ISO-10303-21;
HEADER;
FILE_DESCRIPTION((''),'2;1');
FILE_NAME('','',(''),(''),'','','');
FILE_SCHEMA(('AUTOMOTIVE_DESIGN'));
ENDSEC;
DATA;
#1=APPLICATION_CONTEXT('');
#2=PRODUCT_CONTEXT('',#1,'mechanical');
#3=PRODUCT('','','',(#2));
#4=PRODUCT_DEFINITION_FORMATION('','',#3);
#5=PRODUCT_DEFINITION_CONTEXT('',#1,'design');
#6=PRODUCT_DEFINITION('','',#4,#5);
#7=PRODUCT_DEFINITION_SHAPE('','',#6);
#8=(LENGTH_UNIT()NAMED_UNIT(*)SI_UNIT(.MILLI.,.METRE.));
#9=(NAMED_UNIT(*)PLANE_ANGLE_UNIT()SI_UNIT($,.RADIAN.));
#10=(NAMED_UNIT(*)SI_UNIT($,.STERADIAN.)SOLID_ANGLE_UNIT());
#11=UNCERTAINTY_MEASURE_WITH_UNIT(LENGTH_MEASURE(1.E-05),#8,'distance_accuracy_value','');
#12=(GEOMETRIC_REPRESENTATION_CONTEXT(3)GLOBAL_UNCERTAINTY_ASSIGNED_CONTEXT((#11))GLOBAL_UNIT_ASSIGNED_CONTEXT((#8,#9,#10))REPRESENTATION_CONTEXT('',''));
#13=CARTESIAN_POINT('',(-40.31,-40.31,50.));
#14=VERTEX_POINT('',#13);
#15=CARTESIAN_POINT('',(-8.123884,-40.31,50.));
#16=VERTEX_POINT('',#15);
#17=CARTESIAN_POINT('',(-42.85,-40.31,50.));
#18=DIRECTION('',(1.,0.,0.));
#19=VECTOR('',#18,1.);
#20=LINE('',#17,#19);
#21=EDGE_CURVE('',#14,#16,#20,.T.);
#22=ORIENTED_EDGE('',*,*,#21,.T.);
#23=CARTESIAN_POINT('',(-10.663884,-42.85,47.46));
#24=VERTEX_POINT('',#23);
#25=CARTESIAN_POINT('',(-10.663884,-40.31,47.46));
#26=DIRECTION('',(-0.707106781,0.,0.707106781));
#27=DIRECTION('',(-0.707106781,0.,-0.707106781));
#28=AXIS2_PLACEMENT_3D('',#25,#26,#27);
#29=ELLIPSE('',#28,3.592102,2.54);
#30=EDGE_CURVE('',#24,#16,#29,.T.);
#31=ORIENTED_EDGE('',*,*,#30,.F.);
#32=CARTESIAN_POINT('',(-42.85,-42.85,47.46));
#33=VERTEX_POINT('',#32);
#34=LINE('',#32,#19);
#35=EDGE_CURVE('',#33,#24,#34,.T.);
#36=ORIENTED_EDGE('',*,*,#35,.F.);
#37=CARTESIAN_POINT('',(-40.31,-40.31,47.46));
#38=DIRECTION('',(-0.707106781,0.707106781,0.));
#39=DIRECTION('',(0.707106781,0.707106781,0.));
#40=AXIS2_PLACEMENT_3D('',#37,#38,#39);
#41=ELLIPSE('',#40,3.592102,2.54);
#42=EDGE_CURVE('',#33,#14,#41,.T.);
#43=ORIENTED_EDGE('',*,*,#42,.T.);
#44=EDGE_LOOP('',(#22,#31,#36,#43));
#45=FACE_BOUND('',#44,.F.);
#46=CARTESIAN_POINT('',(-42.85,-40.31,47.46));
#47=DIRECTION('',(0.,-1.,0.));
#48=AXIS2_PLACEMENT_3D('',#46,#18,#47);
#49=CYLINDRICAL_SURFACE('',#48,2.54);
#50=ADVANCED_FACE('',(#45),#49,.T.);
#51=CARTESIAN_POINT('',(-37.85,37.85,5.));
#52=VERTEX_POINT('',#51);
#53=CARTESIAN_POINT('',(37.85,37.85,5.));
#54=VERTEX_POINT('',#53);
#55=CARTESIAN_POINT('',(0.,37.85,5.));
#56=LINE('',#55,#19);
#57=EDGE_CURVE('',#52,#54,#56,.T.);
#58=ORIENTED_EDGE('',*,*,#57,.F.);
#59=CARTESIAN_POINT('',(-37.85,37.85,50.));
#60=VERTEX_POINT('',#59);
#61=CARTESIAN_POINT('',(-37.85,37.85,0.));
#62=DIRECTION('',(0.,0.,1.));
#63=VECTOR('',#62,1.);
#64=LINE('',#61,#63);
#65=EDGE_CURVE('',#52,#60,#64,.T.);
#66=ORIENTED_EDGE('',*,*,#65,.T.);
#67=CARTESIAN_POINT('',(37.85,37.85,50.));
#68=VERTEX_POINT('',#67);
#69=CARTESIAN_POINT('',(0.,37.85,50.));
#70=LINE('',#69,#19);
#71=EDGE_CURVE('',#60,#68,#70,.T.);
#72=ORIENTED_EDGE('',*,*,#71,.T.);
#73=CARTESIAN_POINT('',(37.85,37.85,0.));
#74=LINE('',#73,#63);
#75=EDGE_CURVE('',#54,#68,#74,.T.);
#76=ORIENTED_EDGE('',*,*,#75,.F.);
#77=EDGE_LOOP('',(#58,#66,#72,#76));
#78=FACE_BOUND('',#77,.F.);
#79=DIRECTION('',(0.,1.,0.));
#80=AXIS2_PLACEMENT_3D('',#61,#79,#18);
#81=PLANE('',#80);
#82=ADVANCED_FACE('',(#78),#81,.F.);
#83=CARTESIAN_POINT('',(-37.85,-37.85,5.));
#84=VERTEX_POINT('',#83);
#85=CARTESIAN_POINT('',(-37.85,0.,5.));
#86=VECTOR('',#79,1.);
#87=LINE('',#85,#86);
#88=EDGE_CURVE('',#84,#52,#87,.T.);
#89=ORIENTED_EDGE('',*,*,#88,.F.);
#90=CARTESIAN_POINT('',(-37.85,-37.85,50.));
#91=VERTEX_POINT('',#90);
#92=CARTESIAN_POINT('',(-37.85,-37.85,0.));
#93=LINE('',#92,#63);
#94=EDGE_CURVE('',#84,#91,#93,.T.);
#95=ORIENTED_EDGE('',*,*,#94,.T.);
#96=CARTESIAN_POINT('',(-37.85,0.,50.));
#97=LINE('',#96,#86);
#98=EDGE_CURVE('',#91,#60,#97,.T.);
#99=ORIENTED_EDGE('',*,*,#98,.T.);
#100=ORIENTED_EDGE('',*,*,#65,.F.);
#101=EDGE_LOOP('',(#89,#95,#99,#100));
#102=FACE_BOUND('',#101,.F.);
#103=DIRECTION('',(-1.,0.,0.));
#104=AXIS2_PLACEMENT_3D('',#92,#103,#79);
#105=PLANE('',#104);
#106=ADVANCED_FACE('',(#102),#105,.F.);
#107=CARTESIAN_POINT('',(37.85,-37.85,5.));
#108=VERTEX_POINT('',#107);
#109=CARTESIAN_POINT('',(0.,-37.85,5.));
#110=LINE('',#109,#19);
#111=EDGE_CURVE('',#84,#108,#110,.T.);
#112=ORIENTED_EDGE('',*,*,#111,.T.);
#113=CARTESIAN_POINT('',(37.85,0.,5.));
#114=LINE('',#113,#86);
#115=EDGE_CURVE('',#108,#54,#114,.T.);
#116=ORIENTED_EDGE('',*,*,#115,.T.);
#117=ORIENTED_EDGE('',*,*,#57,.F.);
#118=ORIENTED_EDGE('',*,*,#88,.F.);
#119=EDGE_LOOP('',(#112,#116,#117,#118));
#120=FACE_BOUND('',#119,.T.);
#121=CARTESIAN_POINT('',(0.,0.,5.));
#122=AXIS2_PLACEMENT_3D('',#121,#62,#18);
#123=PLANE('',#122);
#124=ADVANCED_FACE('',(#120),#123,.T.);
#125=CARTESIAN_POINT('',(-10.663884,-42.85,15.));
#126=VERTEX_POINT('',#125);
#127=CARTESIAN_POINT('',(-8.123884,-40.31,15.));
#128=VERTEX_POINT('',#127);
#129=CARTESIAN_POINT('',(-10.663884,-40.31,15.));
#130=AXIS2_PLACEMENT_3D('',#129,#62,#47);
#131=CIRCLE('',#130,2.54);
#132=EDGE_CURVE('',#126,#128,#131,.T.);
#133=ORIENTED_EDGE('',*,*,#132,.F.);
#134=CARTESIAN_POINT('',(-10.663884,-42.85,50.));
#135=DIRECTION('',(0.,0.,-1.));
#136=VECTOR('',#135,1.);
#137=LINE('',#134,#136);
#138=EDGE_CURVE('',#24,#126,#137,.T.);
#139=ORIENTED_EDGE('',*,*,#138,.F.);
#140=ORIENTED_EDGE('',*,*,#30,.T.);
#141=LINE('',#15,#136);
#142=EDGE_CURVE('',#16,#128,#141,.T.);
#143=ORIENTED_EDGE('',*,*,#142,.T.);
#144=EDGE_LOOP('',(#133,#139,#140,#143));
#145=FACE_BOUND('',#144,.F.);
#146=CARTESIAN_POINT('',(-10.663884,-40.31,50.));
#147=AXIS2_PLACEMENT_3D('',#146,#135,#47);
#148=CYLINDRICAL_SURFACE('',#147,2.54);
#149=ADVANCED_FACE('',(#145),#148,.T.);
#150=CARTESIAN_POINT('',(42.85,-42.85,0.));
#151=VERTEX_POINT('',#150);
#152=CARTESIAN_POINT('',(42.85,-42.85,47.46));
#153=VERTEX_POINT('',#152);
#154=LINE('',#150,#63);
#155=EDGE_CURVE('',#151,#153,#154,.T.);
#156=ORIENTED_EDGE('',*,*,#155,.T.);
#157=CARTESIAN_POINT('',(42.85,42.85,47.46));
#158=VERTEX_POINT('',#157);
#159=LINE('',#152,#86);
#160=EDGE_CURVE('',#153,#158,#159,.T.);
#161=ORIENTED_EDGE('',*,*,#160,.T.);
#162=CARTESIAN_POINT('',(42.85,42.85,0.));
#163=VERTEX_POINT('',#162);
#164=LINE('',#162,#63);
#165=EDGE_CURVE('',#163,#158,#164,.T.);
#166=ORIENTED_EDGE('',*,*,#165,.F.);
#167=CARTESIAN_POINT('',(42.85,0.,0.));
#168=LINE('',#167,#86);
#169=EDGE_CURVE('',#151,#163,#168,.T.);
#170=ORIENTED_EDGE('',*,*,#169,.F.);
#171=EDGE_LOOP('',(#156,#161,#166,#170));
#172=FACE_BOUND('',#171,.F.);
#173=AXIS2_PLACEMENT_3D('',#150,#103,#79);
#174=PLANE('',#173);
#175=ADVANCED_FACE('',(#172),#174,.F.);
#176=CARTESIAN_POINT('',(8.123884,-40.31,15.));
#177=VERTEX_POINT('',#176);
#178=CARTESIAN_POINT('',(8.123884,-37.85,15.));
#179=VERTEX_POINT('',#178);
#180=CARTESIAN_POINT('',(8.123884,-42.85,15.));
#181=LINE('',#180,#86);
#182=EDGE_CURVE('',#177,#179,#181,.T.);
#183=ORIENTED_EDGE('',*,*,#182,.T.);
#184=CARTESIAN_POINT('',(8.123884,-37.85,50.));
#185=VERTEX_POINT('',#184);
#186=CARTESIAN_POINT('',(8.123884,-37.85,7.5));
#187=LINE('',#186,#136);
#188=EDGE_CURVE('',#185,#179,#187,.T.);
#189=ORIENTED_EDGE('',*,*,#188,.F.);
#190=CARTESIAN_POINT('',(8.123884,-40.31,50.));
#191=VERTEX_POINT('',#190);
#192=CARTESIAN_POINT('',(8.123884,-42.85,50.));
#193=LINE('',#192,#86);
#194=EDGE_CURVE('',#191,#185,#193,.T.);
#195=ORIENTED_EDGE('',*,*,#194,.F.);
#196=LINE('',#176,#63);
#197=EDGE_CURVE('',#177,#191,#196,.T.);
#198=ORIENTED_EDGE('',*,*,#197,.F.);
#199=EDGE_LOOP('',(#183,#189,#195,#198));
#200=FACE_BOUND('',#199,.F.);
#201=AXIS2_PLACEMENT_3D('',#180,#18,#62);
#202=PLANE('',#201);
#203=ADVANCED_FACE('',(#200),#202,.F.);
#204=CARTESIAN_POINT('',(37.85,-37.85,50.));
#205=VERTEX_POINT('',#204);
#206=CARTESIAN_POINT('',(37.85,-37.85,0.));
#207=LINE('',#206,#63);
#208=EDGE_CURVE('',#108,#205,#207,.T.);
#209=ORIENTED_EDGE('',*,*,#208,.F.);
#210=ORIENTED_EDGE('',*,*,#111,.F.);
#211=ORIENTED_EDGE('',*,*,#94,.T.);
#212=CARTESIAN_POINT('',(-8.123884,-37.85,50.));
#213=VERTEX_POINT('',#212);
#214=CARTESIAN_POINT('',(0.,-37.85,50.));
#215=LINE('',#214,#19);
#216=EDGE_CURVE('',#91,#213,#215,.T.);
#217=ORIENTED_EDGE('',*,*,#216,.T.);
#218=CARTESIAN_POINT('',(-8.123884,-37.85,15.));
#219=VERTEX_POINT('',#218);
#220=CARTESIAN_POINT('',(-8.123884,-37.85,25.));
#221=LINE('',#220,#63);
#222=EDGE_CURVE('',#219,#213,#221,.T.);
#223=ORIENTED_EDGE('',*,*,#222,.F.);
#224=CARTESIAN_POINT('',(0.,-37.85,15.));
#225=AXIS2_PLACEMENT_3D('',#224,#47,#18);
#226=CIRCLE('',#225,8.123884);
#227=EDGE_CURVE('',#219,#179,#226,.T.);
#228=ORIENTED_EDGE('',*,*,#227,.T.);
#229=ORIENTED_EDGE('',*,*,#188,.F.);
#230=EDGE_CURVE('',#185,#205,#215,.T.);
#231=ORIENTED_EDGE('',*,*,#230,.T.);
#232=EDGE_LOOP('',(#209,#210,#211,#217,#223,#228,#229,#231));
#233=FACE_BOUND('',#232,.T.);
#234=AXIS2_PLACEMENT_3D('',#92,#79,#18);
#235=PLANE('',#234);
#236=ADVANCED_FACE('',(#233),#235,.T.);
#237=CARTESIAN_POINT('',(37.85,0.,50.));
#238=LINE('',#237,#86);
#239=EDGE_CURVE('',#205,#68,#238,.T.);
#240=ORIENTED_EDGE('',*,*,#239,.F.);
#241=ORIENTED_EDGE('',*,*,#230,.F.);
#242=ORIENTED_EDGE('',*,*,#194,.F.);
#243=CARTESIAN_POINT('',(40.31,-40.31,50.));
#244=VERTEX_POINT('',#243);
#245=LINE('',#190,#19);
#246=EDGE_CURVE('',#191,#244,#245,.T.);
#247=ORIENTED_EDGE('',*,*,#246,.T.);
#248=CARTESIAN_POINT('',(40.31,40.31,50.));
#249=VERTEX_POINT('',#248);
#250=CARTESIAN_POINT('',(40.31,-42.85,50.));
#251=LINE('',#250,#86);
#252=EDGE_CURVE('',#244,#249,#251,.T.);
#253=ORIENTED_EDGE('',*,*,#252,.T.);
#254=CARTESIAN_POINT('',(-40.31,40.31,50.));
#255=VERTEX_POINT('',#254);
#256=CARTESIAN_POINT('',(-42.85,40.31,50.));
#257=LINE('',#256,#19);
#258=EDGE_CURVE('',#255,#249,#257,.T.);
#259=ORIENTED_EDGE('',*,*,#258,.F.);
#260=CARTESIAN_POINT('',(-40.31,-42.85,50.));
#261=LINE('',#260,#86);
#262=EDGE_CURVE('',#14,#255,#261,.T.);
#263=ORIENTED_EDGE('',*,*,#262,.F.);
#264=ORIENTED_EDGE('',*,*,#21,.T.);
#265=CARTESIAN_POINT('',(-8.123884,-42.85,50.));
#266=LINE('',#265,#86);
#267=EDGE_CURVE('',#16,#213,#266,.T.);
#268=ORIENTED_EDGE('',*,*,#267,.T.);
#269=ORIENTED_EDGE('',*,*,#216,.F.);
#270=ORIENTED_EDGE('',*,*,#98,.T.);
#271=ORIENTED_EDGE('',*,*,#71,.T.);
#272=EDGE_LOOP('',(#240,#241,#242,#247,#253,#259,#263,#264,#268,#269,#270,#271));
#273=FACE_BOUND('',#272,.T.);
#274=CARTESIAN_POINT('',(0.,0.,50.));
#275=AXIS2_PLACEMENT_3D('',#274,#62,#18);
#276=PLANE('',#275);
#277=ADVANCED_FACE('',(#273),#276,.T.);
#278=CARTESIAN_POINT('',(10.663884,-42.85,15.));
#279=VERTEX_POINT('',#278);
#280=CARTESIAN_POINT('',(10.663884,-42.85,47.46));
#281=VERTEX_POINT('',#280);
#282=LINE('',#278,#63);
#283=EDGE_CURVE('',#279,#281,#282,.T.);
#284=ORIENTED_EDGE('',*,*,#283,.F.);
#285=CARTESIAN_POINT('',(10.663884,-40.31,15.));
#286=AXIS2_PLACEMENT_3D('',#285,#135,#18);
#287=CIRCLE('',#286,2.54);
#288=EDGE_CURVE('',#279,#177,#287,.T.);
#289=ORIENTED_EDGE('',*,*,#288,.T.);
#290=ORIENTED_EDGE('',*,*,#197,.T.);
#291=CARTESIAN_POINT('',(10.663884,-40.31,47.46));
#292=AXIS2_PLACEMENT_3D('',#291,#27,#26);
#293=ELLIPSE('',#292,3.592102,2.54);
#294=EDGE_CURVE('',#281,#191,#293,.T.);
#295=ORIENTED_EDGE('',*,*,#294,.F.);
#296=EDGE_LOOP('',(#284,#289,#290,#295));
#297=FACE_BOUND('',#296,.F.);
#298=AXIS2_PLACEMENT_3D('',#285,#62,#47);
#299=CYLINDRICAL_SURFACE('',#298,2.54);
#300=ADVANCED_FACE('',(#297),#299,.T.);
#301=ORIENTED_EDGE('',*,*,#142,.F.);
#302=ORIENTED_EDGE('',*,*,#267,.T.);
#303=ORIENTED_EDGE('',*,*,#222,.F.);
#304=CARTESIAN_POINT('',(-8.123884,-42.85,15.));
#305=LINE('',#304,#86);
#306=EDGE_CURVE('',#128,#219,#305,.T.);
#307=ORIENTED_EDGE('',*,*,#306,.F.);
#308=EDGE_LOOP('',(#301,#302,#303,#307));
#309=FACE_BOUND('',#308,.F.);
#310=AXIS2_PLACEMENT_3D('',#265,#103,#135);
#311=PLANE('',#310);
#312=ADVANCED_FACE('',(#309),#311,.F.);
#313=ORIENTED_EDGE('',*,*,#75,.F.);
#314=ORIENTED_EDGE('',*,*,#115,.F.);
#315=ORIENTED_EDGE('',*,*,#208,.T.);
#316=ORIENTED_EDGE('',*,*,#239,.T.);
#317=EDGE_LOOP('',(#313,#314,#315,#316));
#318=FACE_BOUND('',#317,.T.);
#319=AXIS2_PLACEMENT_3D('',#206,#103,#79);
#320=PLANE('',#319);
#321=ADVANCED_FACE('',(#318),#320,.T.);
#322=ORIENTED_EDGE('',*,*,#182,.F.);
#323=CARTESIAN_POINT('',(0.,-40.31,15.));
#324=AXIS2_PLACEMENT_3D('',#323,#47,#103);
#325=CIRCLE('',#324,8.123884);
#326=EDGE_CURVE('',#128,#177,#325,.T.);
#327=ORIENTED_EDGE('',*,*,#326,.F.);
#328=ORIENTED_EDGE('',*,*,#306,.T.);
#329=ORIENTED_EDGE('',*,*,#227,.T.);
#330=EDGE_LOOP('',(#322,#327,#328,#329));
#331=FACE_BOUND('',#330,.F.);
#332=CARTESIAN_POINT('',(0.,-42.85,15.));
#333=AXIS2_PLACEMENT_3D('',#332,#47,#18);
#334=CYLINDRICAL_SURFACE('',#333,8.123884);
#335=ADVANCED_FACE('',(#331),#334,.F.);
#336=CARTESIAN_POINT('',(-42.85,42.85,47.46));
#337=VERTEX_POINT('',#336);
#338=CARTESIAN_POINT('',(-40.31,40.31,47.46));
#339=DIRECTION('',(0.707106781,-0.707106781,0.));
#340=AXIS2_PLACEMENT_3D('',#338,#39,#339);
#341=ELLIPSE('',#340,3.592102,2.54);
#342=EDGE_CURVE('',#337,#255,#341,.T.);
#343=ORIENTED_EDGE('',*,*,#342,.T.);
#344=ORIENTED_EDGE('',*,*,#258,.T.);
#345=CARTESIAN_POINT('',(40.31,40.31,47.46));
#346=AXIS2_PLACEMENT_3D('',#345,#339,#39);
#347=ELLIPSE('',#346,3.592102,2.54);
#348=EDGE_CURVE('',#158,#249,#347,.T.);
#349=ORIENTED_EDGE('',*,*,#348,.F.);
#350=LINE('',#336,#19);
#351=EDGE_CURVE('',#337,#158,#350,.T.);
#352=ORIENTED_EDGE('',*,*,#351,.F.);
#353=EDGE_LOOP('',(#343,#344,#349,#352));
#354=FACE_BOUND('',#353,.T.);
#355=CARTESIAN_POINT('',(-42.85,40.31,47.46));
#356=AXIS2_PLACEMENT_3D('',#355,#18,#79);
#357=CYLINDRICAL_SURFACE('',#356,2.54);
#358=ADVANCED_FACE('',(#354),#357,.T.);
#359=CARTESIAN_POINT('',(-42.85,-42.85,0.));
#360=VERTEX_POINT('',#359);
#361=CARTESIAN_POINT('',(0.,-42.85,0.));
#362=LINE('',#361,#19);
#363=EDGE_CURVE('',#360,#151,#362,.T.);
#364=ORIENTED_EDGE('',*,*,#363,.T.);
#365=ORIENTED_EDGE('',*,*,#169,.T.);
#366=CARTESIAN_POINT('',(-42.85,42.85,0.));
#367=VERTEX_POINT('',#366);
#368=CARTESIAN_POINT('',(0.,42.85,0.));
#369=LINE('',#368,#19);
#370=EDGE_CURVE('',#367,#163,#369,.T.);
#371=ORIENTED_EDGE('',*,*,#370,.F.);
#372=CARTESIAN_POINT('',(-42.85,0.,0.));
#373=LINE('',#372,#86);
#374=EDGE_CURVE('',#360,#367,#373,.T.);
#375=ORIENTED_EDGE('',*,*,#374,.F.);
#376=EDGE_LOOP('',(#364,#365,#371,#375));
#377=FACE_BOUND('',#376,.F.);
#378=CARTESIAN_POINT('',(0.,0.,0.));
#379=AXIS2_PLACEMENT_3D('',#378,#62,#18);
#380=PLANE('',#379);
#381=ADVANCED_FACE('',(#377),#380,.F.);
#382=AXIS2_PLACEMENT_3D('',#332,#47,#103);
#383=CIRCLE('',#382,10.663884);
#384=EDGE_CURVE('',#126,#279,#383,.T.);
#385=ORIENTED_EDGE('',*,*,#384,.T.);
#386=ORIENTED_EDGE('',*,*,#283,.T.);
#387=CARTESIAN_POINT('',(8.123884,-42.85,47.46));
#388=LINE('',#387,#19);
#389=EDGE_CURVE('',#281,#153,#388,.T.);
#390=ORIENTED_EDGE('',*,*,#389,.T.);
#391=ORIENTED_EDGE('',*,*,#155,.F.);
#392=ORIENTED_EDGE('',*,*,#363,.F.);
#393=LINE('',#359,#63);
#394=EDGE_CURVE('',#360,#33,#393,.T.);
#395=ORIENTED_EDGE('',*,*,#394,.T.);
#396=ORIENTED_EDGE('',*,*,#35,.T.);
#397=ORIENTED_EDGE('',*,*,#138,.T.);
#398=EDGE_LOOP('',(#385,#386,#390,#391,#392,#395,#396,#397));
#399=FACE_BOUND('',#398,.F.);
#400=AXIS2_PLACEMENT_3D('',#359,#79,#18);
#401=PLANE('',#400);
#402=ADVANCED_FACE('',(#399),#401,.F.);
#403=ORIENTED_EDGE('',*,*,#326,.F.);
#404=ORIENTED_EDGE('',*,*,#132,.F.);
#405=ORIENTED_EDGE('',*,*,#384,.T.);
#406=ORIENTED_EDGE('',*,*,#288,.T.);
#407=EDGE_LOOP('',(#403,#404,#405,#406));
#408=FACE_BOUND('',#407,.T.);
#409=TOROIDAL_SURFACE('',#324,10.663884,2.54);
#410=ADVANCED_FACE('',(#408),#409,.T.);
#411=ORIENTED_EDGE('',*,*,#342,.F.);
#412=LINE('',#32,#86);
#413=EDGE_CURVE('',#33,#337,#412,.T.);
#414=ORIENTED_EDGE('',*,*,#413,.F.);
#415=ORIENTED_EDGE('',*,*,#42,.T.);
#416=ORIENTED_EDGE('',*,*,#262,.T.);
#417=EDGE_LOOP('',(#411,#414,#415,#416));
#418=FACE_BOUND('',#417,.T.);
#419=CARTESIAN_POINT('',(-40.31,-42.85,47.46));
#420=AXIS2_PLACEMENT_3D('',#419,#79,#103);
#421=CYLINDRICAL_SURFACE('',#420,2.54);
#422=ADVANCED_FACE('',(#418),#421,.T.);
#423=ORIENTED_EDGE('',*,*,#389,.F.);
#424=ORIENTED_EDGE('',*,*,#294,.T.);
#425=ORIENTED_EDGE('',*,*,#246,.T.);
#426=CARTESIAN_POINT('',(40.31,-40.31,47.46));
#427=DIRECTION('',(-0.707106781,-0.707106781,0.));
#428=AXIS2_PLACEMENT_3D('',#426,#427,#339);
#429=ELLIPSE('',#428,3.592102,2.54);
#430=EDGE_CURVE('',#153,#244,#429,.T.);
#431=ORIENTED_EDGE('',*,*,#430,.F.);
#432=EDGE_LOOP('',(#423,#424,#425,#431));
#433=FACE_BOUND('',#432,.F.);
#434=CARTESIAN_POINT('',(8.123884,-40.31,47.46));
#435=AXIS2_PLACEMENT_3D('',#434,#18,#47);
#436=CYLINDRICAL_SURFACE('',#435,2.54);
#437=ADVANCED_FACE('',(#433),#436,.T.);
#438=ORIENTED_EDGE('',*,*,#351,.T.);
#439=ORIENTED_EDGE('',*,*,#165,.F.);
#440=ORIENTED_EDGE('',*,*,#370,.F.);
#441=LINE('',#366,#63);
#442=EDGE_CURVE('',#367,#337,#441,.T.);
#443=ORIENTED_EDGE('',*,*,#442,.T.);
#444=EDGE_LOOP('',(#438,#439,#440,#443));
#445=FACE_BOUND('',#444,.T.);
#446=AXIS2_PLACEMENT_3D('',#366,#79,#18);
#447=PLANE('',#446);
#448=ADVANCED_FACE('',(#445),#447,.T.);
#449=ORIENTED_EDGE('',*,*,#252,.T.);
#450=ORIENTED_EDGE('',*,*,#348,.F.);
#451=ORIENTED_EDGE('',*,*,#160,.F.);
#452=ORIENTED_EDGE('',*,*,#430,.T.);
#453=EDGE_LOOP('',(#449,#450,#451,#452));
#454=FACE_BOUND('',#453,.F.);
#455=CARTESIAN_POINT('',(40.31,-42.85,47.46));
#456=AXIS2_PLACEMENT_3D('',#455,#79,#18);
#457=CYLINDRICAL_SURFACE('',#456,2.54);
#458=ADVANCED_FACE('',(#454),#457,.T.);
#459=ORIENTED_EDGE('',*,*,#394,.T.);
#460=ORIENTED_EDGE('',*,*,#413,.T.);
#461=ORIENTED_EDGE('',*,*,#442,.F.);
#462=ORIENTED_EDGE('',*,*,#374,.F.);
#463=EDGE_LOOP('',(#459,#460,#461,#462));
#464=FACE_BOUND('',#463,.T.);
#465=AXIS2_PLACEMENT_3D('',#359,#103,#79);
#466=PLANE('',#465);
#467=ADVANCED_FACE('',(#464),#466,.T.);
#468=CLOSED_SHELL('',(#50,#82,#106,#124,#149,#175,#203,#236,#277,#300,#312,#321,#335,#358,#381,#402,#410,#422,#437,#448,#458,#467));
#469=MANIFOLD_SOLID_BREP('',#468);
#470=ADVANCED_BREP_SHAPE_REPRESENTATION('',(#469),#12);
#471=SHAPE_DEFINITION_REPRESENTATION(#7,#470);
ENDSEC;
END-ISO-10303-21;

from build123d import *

# Parameters (mm, degrees)
F0_W     = 85.7
F0_H     = 85.7
F0_W_2   = 75.7
F0_H_2   = 75.7
F1_DEPTH = 50
F2_DEPTH = 5
F4_DEPTH = 20
F5_R     = 2.54


with BuildPart() as f1:
    # F0 (on Top) → F1 (new body)
    with BuildSketch(Plane.XY):
        Rectangle(F0_W, F0_H)
        Rectangle(F0_W_2, F0_H_2, mode=Mode.SUBTRACT)
    extrude(amount=F1_DEPTH)

    # F0 (on Top) → F2 (join)
    with BuildSketch(Plane.XY):
        Rectangle(F0_W_2, F0_H_2)
    extrude(amount=F2_DEPTH)

    # F3 (on face) → F4 (cut)
    with BuildSketch(Plane.XZ.offset(42.85)):
        with BuildLine():
            ThreePointArc((-8.123884, 15), (0, 6.876116), (8.123884, 15))
            Line((8.123884, 15), (-8.123884, 15))
        make_face()
        with BuildLine():
            Line((-8.123884, 15), (8.123884, 15))
            ThreePointArc((8.123884, 15), (0, 23.123884), (-8.123884, 15))
        make_face()
        with BuildLine():
            Line((8.123884, 15), (8.123884, 50))
            Line((8.123884, 50), (-8.123884, 50))
            Line((-8.123884, 50), (-8.123884, 15))
            ThreePointArc((-8.123884, 15), (0, 23.123884), (8.123884, 15))
        make_face()
    extrude(amount=-F4_DEPTH, mode=Mode.SUBTRACT)

    # F5
    f5_edges = [f1.edges().sort_by_distance(p)[0] for p in [
        (0, -42.85, 6.876116),
        (8.123884, -42.85, 32.5),
        (25.486942, -42.85, 50),
        (-25.486942, -42.85, 50),
        (42.85, 0, 50),
        (0, 42.85, 50),
        (-42.85, 0, 50),
        (-8.123884, -42.85, 32.5),
    ]]
    fillet(f5_edges, radius=F5_R)


solid = f1.part
